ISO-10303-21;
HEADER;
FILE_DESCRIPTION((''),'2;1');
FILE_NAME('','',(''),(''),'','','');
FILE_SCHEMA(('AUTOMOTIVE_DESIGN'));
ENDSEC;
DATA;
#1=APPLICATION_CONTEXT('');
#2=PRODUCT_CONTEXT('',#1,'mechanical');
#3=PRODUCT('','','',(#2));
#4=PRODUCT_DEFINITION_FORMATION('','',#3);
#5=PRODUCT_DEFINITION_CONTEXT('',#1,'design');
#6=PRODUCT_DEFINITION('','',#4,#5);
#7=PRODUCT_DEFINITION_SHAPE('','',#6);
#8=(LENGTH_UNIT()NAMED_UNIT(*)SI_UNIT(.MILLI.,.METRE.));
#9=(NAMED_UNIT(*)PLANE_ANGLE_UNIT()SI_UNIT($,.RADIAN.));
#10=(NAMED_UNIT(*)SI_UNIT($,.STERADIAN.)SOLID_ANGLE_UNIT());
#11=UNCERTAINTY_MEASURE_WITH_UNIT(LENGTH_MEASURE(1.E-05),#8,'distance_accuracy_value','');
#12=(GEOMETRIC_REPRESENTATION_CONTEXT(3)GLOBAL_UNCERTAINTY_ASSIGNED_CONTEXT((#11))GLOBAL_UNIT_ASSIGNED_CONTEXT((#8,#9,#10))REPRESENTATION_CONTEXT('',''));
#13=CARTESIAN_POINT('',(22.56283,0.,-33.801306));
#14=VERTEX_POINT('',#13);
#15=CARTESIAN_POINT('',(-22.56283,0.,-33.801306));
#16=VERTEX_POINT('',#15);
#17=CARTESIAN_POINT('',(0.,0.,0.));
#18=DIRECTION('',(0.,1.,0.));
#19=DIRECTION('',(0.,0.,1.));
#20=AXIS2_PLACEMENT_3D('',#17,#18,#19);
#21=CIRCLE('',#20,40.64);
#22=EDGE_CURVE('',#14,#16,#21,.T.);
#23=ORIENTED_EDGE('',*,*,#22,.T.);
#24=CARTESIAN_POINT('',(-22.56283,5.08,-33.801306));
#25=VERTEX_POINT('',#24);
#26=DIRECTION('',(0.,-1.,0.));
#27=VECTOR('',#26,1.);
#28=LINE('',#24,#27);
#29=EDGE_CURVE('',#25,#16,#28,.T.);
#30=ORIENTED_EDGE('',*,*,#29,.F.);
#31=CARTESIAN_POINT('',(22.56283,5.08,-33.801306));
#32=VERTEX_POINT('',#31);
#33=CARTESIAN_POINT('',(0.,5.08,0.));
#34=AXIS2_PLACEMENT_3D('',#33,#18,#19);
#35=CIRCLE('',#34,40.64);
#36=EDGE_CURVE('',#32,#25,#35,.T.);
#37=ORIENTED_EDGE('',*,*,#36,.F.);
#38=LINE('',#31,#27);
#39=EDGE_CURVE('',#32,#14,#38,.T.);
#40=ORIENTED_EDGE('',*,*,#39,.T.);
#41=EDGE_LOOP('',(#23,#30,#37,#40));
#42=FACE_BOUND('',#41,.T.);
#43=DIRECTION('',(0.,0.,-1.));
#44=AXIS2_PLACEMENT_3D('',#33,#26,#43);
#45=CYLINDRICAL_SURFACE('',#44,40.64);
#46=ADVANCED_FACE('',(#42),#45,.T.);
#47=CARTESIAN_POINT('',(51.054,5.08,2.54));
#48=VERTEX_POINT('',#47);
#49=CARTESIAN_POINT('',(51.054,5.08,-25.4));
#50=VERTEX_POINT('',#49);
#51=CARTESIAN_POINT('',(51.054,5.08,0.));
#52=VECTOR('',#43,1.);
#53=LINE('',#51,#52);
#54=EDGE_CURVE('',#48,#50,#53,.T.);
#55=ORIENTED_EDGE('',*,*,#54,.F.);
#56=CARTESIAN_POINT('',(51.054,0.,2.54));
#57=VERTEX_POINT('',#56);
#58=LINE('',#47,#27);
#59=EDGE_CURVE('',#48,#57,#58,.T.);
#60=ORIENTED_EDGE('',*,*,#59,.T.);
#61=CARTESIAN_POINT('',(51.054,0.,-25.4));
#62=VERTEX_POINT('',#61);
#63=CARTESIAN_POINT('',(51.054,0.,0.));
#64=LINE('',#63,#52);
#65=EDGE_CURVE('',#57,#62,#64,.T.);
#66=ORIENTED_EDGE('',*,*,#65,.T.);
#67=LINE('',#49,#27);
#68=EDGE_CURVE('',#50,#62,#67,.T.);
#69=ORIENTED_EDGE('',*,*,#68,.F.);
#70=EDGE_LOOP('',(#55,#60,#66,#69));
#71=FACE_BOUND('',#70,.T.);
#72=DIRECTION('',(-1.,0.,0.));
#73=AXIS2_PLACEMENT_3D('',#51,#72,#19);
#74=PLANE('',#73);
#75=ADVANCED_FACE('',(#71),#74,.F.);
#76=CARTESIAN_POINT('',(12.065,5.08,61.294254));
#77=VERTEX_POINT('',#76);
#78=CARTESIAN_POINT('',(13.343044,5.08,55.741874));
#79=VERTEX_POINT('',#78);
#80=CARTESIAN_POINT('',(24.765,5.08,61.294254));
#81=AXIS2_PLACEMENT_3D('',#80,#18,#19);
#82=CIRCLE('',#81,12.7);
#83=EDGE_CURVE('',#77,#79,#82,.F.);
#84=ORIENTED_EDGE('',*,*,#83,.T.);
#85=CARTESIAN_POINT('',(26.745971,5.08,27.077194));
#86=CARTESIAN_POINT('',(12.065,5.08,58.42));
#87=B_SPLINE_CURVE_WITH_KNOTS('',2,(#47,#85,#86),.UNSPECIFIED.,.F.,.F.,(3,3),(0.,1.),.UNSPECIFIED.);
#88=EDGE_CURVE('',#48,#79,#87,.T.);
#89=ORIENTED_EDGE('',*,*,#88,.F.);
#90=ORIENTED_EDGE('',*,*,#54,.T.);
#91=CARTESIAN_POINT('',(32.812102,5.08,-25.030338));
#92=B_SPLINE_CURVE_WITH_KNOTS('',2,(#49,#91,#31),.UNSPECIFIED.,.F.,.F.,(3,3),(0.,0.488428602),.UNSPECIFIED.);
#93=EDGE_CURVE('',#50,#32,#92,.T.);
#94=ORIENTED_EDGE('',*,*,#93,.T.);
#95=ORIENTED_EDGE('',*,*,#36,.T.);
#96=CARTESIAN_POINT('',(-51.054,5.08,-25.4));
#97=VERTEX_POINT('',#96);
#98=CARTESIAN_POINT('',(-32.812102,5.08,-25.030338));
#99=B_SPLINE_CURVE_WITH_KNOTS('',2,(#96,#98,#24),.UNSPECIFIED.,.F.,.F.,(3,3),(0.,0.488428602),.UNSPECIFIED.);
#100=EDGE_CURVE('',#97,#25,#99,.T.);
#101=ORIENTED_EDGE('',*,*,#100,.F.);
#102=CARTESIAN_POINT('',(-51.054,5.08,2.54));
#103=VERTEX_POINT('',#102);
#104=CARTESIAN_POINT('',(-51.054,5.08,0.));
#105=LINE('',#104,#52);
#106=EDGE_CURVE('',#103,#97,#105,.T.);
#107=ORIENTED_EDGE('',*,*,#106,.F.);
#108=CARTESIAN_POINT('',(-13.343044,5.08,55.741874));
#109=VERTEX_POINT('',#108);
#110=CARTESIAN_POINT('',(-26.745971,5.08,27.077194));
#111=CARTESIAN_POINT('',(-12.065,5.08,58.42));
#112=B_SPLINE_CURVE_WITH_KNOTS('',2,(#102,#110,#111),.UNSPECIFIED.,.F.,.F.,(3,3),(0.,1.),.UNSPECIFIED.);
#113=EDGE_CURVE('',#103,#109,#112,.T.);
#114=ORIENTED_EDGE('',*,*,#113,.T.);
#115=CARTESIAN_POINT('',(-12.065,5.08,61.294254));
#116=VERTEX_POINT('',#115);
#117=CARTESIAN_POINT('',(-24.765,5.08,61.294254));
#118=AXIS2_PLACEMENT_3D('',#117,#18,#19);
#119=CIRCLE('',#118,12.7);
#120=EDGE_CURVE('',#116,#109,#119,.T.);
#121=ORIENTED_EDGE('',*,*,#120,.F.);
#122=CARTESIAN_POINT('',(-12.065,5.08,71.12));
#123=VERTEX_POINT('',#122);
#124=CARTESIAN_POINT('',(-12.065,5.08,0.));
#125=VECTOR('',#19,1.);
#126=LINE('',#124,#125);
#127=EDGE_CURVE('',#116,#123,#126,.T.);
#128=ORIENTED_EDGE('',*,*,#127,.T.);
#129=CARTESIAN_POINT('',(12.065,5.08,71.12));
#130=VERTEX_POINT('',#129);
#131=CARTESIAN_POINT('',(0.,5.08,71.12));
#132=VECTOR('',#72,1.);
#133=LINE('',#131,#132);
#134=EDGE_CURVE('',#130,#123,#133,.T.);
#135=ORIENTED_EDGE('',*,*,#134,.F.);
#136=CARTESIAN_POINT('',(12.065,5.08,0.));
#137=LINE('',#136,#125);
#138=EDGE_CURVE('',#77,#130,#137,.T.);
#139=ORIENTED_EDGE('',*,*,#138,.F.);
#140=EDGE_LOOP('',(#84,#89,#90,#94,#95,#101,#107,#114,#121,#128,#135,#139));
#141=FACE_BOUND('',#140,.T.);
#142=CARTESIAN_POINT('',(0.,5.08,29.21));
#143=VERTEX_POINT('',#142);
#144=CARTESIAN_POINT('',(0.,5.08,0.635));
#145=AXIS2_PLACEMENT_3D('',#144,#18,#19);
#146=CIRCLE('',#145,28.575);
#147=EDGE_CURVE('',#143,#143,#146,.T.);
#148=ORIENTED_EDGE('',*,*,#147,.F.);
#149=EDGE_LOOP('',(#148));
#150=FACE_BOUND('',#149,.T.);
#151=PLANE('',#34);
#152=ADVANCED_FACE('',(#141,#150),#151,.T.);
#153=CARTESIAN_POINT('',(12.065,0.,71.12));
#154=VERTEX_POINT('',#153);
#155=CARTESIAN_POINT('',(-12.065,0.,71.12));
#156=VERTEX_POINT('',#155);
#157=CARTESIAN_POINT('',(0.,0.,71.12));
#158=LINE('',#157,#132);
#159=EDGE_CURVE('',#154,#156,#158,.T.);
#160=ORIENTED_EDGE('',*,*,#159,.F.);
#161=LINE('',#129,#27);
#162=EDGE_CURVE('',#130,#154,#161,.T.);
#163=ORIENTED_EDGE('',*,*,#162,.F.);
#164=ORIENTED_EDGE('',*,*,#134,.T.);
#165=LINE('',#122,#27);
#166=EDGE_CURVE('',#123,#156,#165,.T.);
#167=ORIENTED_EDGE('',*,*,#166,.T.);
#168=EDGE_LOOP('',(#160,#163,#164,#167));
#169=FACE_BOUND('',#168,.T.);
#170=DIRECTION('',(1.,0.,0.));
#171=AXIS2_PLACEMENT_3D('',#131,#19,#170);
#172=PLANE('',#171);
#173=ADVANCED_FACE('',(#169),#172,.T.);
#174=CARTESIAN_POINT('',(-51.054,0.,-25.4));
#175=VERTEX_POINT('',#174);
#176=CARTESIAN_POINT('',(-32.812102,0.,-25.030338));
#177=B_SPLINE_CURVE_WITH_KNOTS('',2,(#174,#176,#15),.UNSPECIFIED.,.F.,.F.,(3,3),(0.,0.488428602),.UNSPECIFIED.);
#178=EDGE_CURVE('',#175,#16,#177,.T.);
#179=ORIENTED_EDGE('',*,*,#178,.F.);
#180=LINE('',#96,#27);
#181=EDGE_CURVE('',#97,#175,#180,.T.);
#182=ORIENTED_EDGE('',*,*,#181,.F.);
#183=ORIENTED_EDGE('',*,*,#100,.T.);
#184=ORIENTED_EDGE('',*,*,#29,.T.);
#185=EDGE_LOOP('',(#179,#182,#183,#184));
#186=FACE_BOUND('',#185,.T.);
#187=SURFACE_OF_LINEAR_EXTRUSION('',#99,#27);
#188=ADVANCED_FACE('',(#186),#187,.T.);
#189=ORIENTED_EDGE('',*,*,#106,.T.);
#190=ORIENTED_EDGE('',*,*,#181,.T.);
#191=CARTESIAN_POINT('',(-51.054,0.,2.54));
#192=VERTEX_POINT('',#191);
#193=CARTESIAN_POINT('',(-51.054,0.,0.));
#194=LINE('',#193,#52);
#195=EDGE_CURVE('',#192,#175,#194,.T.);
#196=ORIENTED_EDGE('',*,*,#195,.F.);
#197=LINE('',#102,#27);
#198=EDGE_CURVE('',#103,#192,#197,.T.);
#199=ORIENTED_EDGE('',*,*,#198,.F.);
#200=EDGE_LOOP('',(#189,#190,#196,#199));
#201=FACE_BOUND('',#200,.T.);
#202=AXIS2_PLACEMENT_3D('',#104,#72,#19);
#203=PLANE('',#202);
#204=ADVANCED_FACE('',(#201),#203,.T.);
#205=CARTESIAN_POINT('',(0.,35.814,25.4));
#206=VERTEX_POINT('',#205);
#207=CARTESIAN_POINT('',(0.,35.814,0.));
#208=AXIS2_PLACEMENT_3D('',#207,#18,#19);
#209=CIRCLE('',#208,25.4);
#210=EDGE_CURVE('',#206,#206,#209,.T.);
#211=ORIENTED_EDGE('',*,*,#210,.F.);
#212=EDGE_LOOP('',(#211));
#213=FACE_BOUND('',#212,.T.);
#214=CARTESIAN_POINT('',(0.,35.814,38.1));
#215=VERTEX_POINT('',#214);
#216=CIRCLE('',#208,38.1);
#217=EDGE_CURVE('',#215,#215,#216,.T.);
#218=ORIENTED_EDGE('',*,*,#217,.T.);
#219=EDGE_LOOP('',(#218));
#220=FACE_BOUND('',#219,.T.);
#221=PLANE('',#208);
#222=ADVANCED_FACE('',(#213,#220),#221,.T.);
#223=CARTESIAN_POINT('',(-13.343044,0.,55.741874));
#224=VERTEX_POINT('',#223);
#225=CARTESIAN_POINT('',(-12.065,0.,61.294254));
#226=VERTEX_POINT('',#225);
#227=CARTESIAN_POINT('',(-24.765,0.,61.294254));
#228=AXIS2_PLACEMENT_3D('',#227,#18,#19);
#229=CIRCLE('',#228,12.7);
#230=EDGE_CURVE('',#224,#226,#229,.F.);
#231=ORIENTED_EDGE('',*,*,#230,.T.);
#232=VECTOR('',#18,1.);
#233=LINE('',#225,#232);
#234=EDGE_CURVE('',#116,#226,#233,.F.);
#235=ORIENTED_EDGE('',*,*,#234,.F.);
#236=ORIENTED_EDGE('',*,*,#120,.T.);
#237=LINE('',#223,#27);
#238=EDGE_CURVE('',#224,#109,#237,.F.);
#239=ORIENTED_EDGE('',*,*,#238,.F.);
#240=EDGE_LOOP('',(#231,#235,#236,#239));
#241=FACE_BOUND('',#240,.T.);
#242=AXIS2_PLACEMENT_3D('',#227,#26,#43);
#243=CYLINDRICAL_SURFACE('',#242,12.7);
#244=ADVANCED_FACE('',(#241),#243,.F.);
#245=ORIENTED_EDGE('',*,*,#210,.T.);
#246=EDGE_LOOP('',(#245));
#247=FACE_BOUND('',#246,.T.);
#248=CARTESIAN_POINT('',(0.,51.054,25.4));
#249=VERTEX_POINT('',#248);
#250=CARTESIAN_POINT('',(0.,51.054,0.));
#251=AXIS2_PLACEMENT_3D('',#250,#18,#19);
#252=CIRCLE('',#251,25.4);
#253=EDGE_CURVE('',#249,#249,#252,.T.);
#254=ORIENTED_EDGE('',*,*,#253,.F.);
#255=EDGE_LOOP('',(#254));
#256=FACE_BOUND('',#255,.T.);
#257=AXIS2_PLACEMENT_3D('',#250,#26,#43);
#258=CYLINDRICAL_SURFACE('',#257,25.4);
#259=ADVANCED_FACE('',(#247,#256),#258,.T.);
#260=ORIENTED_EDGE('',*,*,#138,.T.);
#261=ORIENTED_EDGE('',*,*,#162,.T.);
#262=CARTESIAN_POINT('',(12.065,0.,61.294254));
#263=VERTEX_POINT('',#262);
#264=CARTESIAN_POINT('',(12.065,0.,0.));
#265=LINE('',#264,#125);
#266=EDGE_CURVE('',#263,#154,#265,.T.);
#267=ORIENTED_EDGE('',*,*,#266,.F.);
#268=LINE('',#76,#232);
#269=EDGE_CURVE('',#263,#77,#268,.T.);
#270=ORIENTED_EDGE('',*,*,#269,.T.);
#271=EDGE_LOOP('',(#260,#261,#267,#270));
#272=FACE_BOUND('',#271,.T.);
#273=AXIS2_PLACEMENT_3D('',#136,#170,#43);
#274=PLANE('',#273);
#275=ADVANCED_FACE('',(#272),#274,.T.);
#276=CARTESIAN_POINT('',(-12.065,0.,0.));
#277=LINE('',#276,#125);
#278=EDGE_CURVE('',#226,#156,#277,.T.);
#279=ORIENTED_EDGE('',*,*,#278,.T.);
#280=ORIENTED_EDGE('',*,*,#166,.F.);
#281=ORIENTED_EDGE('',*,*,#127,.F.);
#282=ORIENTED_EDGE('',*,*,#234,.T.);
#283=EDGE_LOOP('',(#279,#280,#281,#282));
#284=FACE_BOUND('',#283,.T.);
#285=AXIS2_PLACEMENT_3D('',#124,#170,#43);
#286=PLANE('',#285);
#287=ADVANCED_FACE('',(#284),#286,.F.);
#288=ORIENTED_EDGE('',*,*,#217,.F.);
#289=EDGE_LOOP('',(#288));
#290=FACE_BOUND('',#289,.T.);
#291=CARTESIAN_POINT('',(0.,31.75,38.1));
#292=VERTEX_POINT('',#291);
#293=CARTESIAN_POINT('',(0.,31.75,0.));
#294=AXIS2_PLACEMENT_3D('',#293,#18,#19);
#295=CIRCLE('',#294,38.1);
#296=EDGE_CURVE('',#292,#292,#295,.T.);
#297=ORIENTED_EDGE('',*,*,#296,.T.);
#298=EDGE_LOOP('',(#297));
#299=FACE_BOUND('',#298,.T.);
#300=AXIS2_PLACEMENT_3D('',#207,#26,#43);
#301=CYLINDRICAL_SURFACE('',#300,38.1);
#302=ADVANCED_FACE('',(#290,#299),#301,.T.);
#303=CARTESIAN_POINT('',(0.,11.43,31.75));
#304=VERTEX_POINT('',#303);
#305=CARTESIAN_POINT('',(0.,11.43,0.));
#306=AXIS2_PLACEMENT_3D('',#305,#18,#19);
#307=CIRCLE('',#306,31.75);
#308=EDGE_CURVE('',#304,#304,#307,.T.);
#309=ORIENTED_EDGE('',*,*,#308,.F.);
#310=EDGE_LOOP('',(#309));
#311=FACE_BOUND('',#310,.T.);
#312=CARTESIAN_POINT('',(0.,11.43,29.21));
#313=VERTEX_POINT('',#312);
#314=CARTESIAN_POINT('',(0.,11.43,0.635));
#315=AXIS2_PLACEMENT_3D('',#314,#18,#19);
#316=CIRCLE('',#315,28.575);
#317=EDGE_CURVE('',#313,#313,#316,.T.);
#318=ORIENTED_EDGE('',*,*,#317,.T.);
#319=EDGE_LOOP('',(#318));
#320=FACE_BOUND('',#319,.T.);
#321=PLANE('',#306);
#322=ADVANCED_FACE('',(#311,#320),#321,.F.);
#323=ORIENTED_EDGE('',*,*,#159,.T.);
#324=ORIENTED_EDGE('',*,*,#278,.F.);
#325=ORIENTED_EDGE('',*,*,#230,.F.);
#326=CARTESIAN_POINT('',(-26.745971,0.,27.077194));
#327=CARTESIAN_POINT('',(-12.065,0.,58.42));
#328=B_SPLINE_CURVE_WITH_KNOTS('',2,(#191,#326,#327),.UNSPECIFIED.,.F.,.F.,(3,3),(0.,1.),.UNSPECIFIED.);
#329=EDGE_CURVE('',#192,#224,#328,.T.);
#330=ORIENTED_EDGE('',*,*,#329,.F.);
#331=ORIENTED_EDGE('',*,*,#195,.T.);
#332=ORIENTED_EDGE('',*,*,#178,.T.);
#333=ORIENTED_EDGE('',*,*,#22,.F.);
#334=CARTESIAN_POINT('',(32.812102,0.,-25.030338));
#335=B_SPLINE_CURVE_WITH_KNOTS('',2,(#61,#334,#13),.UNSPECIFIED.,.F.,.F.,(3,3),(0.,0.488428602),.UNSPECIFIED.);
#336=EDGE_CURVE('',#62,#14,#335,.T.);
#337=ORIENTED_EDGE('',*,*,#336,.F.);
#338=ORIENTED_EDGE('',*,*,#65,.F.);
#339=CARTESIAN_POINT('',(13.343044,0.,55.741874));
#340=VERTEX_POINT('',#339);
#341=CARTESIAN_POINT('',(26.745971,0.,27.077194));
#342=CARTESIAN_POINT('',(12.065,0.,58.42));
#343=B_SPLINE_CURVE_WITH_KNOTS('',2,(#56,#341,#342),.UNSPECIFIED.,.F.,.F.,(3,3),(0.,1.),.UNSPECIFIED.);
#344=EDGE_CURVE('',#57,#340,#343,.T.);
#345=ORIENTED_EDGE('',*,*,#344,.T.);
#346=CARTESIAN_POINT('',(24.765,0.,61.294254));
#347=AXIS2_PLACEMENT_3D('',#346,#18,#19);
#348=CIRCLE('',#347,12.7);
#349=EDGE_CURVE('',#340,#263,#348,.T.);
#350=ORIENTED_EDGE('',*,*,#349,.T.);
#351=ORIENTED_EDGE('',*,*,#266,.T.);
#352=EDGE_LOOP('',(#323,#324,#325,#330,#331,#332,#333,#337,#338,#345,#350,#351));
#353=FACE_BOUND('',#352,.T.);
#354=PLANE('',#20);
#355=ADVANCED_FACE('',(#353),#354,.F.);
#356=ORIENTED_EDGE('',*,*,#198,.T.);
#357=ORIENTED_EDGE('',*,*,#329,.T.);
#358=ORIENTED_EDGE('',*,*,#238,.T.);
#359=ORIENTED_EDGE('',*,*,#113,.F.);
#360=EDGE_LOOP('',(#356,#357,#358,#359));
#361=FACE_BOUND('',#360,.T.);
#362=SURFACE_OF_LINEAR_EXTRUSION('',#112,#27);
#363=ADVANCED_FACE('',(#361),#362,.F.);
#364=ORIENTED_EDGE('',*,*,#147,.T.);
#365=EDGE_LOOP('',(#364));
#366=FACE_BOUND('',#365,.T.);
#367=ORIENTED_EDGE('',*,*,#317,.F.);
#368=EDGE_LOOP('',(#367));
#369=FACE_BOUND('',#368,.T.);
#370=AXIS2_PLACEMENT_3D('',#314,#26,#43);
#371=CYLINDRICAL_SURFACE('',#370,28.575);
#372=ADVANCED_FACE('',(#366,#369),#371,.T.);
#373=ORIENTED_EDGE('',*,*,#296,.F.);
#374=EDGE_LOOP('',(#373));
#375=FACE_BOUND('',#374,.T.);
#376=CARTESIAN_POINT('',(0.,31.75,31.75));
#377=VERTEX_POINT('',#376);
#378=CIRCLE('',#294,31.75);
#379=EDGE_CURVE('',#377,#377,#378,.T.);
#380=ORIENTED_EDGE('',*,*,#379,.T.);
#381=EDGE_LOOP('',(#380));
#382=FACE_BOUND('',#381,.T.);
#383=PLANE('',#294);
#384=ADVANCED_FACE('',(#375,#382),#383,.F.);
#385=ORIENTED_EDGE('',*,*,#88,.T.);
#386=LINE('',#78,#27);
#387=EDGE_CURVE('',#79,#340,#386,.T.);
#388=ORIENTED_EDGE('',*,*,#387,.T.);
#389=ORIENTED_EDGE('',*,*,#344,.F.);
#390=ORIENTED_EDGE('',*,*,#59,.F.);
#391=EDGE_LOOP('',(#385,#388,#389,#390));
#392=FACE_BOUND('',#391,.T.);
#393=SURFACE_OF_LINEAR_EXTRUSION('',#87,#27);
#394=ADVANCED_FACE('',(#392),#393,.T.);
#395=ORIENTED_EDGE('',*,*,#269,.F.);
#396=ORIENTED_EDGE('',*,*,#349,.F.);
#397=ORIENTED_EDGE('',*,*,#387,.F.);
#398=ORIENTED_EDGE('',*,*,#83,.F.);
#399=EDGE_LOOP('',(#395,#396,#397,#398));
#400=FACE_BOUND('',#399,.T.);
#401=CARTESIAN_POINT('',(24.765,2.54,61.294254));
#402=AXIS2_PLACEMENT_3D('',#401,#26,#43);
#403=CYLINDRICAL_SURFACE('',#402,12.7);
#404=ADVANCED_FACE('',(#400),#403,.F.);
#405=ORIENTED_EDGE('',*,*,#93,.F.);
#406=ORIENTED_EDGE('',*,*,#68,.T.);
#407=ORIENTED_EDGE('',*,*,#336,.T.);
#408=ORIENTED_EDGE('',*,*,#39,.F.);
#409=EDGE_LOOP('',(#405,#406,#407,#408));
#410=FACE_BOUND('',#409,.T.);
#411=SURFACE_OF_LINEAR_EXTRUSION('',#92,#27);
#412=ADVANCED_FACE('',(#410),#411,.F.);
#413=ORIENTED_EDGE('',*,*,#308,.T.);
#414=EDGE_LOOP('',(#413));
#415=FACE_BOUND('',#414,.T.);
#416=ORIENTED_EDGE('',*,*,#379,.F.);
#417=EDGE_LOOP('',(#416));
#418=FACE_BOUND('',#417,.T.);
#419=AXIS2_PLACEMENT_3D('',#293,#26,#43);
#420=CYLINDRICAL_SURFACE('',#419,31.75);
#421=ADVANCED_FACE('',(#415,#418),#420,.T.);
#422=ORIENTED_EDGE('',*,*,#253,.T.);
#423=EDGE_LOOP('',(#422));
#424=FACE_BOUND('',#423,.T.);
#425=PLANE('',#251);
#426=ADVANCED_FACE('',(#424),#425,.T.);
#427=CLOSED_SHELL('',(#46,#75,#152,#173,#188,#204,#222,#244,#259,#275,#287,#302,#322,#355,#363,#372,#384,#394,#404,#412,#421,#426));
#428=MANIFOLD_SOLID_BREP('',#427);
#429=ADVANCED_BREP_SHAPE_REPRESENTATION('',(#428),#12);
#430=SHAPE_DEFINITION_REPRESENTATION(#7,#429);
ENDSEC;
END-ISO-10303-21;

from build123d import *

# Parameters (mm, degrees)
BOSS_EXTRUDE1_DEPTH = 5.08
FILLET1_R           = 12.7
FILLET2_R           = 12.7
SKETCH2_R           = 28.575
BOSS_EXTRUDE2_DEPTH = 6.35
SKETCH3_R           = 31.75
BOSS_EXTRUDE3_DEPTH = 20.32
SKETCH4_R           = 38.1
BOSS_EXTRUDE4_DEPTH = 4.064
SKETCH5_R           = 25.4
BOSS_EXTRUDE5_DEPTH = 15.24


with BuildPart() as part:
    # Sketch1 → Boss-Extrude1 (new body)
    with BuildSketch(Plane(origin=(0, 0, 0), x_dir=(1, 0, 0), z_dir=(0, 1, 0))):
        with BuildLine():
            Line((51.054, -2.54), (51.054, 0))
            Line((51.054, 0), (51.054, 25.4))
            add(Edge.make_bspline(
                [(51.054, 25.4), (35.593374206, 25.086699202), (25.873960254, 31.339237081)],
                knots=[0, 0, 0, 0.413959763, 0.413959763, 0.413959763], degree=2))
            add(Edge.make_bspline(
                [(25.873960254, 31.339237081), (24.125496917, 32.46403054), (22.562829629, 33.80130647)],
                knots=[0.413959763, 0.413959763, 0.413959763, 0.488428602, 0.488428602, 0.488428602], degree=2))
            ThreePointArc((22.562829629, 33.80130647), (0, 40.64), (-22.562829629, 33.80130647))
            add(Edge.make_bspline(
                [(-25.873960254, 31.339237081), (-24.125496917, 32.46403054), (-22.562829629, 33.80130647)],
                knots=[0.413959763, 0.413959763, 0.413959763, 0.488428602, 0.488428602, 0.488428602], degree=2))
            add(Edge.make_bspline(
                [(-51.054, 25.4), (-35.593374206, 25.086699202), (-25.873960254, 31.339237081)],
                knots=[0, 0, 0, 0.413959763, 0.413959763, 0.413959763], degree=2))
            Line((-51.054, 25.4), (-51.054, 0))
            Line((-51.054, 0), (-51.054, -2.54))
            add(Edge.make_bspline(
                [(-51.054, -2.54), (-42.130232366, -11.547896864), (-34.503914612, -21.472994119)],
                knots=[0, 0, 0, 0.367111941, 0.367111941, 0.367111941], degree=2))
            add(Edge.make_bspline(
                [(-34.503914612, -21.472994119), (-32.482868864, -24.103237999), (-30.552942986, -26.797896838)],
                knots=[0.367111941, 0.367111941, 0.367111941, 0.46440005, 0.46440005, 0.46440005], degree=2))
            add(Edge.make_bspline(
                [(-30.552942986, -26.797896838), (-19.928127461, -41.632794577), (-12.065, -58.42)],
                knots=[0.46440005, 0.46440005, 0.46440005, 1, 1, 1], degree=2))
            Line((-12.065, -58.42), (-12.065, -71.12))
            Line((-12.065, -71.12), (12.065, -71.12))
            Line((12.065, -71.12), (12.065, -58.42))
            add(Edge.make_bspline(
                [(30.552942986, -26.797896838), (19.928127461, -41.632794577), (12.065, -58.42)],
                knots=[0.46440005, 0.46440005, 0.46440005, 1, 1, 1], degree=2))
            add(Edge.make_bspline(
                [(34.503914612, -21.472994119), (32.482868864, -24.103237999), (30.552942986, -26.797896838)],
                knots=[0.367111941, 0.367111941, 0.367111941, 0.46440005, 0.46440005, 0.46440005], degree=2))
            add(Edge.make_bspline(
                [(51.054, -2.54), (42.130232366, -11.547896864), (34.503914612, -21.472994119)],
                knots=[0, 0, 0, 0.367111941, 0.367111941, 0.367111941], degree=2))
        make_face()
    extrude(amount=BOSS_EXTRUDE1_DEPTH)

    # Fillet1
    fillet1_edges = [part.edges().sort_by_distance(p)[0] for p in [
        (-12.065, 2.54, 58.42),
    ]]
    fillet(fillet1_edges, radius=FILLET1_R)

    # Fillet2
    fillet2_edges = [part.edges().sort_by_distance(p)[0] for p in [
        (12.065, 2.54, 58.42),
    ]]
    fillet(fillet2_edges, radius=FILLET2_R)

    # Sketch2 → Boss-Extrude2 (add)
    with BuildSketch(Plane(origin=(0, 5.08, 0), x_dir=(1, 0, 0), z_dir=(0, 1, 0))):
        with Locations((0, -0.635)):
            Circle(SKETCH2_R)
    extrude(amount=BOSS_EXTRUDE2_DEPTH)

    # Sketch3 → Boss-Extrude3 (add)
    with BuildSketch(Plane(origin=(0, 11.43, 0), x_dir=(1, 0, 0), z_dir=(0, 1, 0))):
        Circle(SKETCH3_R)
    extrude(amount=BOSS_EXTRUDE3_DEPTH)

    # Sketch4 → Boss-Extrude4 (add)
    with BuildSketch(Plane(origin=(0, 31.75, 0), x_dir=(1, 0, 0), z_dir=(0, 1, 0))):
        Circle(SKETCH4_R)
    extrude(amount=BOSS_EXTRUDE4_DEPTH)

    # Sketch5 → Boss-Extrude5 (add)
    with BuildSketch(Plane(origin=(0, 35.814, 0), x_dir=(1, 0, 0), z_dir=(0, 1, 0))):
        Circle(SKETCH5_R)
    extrude(amount=BOSS_EXTRUDE5_DEPTH)


solid = part.part
